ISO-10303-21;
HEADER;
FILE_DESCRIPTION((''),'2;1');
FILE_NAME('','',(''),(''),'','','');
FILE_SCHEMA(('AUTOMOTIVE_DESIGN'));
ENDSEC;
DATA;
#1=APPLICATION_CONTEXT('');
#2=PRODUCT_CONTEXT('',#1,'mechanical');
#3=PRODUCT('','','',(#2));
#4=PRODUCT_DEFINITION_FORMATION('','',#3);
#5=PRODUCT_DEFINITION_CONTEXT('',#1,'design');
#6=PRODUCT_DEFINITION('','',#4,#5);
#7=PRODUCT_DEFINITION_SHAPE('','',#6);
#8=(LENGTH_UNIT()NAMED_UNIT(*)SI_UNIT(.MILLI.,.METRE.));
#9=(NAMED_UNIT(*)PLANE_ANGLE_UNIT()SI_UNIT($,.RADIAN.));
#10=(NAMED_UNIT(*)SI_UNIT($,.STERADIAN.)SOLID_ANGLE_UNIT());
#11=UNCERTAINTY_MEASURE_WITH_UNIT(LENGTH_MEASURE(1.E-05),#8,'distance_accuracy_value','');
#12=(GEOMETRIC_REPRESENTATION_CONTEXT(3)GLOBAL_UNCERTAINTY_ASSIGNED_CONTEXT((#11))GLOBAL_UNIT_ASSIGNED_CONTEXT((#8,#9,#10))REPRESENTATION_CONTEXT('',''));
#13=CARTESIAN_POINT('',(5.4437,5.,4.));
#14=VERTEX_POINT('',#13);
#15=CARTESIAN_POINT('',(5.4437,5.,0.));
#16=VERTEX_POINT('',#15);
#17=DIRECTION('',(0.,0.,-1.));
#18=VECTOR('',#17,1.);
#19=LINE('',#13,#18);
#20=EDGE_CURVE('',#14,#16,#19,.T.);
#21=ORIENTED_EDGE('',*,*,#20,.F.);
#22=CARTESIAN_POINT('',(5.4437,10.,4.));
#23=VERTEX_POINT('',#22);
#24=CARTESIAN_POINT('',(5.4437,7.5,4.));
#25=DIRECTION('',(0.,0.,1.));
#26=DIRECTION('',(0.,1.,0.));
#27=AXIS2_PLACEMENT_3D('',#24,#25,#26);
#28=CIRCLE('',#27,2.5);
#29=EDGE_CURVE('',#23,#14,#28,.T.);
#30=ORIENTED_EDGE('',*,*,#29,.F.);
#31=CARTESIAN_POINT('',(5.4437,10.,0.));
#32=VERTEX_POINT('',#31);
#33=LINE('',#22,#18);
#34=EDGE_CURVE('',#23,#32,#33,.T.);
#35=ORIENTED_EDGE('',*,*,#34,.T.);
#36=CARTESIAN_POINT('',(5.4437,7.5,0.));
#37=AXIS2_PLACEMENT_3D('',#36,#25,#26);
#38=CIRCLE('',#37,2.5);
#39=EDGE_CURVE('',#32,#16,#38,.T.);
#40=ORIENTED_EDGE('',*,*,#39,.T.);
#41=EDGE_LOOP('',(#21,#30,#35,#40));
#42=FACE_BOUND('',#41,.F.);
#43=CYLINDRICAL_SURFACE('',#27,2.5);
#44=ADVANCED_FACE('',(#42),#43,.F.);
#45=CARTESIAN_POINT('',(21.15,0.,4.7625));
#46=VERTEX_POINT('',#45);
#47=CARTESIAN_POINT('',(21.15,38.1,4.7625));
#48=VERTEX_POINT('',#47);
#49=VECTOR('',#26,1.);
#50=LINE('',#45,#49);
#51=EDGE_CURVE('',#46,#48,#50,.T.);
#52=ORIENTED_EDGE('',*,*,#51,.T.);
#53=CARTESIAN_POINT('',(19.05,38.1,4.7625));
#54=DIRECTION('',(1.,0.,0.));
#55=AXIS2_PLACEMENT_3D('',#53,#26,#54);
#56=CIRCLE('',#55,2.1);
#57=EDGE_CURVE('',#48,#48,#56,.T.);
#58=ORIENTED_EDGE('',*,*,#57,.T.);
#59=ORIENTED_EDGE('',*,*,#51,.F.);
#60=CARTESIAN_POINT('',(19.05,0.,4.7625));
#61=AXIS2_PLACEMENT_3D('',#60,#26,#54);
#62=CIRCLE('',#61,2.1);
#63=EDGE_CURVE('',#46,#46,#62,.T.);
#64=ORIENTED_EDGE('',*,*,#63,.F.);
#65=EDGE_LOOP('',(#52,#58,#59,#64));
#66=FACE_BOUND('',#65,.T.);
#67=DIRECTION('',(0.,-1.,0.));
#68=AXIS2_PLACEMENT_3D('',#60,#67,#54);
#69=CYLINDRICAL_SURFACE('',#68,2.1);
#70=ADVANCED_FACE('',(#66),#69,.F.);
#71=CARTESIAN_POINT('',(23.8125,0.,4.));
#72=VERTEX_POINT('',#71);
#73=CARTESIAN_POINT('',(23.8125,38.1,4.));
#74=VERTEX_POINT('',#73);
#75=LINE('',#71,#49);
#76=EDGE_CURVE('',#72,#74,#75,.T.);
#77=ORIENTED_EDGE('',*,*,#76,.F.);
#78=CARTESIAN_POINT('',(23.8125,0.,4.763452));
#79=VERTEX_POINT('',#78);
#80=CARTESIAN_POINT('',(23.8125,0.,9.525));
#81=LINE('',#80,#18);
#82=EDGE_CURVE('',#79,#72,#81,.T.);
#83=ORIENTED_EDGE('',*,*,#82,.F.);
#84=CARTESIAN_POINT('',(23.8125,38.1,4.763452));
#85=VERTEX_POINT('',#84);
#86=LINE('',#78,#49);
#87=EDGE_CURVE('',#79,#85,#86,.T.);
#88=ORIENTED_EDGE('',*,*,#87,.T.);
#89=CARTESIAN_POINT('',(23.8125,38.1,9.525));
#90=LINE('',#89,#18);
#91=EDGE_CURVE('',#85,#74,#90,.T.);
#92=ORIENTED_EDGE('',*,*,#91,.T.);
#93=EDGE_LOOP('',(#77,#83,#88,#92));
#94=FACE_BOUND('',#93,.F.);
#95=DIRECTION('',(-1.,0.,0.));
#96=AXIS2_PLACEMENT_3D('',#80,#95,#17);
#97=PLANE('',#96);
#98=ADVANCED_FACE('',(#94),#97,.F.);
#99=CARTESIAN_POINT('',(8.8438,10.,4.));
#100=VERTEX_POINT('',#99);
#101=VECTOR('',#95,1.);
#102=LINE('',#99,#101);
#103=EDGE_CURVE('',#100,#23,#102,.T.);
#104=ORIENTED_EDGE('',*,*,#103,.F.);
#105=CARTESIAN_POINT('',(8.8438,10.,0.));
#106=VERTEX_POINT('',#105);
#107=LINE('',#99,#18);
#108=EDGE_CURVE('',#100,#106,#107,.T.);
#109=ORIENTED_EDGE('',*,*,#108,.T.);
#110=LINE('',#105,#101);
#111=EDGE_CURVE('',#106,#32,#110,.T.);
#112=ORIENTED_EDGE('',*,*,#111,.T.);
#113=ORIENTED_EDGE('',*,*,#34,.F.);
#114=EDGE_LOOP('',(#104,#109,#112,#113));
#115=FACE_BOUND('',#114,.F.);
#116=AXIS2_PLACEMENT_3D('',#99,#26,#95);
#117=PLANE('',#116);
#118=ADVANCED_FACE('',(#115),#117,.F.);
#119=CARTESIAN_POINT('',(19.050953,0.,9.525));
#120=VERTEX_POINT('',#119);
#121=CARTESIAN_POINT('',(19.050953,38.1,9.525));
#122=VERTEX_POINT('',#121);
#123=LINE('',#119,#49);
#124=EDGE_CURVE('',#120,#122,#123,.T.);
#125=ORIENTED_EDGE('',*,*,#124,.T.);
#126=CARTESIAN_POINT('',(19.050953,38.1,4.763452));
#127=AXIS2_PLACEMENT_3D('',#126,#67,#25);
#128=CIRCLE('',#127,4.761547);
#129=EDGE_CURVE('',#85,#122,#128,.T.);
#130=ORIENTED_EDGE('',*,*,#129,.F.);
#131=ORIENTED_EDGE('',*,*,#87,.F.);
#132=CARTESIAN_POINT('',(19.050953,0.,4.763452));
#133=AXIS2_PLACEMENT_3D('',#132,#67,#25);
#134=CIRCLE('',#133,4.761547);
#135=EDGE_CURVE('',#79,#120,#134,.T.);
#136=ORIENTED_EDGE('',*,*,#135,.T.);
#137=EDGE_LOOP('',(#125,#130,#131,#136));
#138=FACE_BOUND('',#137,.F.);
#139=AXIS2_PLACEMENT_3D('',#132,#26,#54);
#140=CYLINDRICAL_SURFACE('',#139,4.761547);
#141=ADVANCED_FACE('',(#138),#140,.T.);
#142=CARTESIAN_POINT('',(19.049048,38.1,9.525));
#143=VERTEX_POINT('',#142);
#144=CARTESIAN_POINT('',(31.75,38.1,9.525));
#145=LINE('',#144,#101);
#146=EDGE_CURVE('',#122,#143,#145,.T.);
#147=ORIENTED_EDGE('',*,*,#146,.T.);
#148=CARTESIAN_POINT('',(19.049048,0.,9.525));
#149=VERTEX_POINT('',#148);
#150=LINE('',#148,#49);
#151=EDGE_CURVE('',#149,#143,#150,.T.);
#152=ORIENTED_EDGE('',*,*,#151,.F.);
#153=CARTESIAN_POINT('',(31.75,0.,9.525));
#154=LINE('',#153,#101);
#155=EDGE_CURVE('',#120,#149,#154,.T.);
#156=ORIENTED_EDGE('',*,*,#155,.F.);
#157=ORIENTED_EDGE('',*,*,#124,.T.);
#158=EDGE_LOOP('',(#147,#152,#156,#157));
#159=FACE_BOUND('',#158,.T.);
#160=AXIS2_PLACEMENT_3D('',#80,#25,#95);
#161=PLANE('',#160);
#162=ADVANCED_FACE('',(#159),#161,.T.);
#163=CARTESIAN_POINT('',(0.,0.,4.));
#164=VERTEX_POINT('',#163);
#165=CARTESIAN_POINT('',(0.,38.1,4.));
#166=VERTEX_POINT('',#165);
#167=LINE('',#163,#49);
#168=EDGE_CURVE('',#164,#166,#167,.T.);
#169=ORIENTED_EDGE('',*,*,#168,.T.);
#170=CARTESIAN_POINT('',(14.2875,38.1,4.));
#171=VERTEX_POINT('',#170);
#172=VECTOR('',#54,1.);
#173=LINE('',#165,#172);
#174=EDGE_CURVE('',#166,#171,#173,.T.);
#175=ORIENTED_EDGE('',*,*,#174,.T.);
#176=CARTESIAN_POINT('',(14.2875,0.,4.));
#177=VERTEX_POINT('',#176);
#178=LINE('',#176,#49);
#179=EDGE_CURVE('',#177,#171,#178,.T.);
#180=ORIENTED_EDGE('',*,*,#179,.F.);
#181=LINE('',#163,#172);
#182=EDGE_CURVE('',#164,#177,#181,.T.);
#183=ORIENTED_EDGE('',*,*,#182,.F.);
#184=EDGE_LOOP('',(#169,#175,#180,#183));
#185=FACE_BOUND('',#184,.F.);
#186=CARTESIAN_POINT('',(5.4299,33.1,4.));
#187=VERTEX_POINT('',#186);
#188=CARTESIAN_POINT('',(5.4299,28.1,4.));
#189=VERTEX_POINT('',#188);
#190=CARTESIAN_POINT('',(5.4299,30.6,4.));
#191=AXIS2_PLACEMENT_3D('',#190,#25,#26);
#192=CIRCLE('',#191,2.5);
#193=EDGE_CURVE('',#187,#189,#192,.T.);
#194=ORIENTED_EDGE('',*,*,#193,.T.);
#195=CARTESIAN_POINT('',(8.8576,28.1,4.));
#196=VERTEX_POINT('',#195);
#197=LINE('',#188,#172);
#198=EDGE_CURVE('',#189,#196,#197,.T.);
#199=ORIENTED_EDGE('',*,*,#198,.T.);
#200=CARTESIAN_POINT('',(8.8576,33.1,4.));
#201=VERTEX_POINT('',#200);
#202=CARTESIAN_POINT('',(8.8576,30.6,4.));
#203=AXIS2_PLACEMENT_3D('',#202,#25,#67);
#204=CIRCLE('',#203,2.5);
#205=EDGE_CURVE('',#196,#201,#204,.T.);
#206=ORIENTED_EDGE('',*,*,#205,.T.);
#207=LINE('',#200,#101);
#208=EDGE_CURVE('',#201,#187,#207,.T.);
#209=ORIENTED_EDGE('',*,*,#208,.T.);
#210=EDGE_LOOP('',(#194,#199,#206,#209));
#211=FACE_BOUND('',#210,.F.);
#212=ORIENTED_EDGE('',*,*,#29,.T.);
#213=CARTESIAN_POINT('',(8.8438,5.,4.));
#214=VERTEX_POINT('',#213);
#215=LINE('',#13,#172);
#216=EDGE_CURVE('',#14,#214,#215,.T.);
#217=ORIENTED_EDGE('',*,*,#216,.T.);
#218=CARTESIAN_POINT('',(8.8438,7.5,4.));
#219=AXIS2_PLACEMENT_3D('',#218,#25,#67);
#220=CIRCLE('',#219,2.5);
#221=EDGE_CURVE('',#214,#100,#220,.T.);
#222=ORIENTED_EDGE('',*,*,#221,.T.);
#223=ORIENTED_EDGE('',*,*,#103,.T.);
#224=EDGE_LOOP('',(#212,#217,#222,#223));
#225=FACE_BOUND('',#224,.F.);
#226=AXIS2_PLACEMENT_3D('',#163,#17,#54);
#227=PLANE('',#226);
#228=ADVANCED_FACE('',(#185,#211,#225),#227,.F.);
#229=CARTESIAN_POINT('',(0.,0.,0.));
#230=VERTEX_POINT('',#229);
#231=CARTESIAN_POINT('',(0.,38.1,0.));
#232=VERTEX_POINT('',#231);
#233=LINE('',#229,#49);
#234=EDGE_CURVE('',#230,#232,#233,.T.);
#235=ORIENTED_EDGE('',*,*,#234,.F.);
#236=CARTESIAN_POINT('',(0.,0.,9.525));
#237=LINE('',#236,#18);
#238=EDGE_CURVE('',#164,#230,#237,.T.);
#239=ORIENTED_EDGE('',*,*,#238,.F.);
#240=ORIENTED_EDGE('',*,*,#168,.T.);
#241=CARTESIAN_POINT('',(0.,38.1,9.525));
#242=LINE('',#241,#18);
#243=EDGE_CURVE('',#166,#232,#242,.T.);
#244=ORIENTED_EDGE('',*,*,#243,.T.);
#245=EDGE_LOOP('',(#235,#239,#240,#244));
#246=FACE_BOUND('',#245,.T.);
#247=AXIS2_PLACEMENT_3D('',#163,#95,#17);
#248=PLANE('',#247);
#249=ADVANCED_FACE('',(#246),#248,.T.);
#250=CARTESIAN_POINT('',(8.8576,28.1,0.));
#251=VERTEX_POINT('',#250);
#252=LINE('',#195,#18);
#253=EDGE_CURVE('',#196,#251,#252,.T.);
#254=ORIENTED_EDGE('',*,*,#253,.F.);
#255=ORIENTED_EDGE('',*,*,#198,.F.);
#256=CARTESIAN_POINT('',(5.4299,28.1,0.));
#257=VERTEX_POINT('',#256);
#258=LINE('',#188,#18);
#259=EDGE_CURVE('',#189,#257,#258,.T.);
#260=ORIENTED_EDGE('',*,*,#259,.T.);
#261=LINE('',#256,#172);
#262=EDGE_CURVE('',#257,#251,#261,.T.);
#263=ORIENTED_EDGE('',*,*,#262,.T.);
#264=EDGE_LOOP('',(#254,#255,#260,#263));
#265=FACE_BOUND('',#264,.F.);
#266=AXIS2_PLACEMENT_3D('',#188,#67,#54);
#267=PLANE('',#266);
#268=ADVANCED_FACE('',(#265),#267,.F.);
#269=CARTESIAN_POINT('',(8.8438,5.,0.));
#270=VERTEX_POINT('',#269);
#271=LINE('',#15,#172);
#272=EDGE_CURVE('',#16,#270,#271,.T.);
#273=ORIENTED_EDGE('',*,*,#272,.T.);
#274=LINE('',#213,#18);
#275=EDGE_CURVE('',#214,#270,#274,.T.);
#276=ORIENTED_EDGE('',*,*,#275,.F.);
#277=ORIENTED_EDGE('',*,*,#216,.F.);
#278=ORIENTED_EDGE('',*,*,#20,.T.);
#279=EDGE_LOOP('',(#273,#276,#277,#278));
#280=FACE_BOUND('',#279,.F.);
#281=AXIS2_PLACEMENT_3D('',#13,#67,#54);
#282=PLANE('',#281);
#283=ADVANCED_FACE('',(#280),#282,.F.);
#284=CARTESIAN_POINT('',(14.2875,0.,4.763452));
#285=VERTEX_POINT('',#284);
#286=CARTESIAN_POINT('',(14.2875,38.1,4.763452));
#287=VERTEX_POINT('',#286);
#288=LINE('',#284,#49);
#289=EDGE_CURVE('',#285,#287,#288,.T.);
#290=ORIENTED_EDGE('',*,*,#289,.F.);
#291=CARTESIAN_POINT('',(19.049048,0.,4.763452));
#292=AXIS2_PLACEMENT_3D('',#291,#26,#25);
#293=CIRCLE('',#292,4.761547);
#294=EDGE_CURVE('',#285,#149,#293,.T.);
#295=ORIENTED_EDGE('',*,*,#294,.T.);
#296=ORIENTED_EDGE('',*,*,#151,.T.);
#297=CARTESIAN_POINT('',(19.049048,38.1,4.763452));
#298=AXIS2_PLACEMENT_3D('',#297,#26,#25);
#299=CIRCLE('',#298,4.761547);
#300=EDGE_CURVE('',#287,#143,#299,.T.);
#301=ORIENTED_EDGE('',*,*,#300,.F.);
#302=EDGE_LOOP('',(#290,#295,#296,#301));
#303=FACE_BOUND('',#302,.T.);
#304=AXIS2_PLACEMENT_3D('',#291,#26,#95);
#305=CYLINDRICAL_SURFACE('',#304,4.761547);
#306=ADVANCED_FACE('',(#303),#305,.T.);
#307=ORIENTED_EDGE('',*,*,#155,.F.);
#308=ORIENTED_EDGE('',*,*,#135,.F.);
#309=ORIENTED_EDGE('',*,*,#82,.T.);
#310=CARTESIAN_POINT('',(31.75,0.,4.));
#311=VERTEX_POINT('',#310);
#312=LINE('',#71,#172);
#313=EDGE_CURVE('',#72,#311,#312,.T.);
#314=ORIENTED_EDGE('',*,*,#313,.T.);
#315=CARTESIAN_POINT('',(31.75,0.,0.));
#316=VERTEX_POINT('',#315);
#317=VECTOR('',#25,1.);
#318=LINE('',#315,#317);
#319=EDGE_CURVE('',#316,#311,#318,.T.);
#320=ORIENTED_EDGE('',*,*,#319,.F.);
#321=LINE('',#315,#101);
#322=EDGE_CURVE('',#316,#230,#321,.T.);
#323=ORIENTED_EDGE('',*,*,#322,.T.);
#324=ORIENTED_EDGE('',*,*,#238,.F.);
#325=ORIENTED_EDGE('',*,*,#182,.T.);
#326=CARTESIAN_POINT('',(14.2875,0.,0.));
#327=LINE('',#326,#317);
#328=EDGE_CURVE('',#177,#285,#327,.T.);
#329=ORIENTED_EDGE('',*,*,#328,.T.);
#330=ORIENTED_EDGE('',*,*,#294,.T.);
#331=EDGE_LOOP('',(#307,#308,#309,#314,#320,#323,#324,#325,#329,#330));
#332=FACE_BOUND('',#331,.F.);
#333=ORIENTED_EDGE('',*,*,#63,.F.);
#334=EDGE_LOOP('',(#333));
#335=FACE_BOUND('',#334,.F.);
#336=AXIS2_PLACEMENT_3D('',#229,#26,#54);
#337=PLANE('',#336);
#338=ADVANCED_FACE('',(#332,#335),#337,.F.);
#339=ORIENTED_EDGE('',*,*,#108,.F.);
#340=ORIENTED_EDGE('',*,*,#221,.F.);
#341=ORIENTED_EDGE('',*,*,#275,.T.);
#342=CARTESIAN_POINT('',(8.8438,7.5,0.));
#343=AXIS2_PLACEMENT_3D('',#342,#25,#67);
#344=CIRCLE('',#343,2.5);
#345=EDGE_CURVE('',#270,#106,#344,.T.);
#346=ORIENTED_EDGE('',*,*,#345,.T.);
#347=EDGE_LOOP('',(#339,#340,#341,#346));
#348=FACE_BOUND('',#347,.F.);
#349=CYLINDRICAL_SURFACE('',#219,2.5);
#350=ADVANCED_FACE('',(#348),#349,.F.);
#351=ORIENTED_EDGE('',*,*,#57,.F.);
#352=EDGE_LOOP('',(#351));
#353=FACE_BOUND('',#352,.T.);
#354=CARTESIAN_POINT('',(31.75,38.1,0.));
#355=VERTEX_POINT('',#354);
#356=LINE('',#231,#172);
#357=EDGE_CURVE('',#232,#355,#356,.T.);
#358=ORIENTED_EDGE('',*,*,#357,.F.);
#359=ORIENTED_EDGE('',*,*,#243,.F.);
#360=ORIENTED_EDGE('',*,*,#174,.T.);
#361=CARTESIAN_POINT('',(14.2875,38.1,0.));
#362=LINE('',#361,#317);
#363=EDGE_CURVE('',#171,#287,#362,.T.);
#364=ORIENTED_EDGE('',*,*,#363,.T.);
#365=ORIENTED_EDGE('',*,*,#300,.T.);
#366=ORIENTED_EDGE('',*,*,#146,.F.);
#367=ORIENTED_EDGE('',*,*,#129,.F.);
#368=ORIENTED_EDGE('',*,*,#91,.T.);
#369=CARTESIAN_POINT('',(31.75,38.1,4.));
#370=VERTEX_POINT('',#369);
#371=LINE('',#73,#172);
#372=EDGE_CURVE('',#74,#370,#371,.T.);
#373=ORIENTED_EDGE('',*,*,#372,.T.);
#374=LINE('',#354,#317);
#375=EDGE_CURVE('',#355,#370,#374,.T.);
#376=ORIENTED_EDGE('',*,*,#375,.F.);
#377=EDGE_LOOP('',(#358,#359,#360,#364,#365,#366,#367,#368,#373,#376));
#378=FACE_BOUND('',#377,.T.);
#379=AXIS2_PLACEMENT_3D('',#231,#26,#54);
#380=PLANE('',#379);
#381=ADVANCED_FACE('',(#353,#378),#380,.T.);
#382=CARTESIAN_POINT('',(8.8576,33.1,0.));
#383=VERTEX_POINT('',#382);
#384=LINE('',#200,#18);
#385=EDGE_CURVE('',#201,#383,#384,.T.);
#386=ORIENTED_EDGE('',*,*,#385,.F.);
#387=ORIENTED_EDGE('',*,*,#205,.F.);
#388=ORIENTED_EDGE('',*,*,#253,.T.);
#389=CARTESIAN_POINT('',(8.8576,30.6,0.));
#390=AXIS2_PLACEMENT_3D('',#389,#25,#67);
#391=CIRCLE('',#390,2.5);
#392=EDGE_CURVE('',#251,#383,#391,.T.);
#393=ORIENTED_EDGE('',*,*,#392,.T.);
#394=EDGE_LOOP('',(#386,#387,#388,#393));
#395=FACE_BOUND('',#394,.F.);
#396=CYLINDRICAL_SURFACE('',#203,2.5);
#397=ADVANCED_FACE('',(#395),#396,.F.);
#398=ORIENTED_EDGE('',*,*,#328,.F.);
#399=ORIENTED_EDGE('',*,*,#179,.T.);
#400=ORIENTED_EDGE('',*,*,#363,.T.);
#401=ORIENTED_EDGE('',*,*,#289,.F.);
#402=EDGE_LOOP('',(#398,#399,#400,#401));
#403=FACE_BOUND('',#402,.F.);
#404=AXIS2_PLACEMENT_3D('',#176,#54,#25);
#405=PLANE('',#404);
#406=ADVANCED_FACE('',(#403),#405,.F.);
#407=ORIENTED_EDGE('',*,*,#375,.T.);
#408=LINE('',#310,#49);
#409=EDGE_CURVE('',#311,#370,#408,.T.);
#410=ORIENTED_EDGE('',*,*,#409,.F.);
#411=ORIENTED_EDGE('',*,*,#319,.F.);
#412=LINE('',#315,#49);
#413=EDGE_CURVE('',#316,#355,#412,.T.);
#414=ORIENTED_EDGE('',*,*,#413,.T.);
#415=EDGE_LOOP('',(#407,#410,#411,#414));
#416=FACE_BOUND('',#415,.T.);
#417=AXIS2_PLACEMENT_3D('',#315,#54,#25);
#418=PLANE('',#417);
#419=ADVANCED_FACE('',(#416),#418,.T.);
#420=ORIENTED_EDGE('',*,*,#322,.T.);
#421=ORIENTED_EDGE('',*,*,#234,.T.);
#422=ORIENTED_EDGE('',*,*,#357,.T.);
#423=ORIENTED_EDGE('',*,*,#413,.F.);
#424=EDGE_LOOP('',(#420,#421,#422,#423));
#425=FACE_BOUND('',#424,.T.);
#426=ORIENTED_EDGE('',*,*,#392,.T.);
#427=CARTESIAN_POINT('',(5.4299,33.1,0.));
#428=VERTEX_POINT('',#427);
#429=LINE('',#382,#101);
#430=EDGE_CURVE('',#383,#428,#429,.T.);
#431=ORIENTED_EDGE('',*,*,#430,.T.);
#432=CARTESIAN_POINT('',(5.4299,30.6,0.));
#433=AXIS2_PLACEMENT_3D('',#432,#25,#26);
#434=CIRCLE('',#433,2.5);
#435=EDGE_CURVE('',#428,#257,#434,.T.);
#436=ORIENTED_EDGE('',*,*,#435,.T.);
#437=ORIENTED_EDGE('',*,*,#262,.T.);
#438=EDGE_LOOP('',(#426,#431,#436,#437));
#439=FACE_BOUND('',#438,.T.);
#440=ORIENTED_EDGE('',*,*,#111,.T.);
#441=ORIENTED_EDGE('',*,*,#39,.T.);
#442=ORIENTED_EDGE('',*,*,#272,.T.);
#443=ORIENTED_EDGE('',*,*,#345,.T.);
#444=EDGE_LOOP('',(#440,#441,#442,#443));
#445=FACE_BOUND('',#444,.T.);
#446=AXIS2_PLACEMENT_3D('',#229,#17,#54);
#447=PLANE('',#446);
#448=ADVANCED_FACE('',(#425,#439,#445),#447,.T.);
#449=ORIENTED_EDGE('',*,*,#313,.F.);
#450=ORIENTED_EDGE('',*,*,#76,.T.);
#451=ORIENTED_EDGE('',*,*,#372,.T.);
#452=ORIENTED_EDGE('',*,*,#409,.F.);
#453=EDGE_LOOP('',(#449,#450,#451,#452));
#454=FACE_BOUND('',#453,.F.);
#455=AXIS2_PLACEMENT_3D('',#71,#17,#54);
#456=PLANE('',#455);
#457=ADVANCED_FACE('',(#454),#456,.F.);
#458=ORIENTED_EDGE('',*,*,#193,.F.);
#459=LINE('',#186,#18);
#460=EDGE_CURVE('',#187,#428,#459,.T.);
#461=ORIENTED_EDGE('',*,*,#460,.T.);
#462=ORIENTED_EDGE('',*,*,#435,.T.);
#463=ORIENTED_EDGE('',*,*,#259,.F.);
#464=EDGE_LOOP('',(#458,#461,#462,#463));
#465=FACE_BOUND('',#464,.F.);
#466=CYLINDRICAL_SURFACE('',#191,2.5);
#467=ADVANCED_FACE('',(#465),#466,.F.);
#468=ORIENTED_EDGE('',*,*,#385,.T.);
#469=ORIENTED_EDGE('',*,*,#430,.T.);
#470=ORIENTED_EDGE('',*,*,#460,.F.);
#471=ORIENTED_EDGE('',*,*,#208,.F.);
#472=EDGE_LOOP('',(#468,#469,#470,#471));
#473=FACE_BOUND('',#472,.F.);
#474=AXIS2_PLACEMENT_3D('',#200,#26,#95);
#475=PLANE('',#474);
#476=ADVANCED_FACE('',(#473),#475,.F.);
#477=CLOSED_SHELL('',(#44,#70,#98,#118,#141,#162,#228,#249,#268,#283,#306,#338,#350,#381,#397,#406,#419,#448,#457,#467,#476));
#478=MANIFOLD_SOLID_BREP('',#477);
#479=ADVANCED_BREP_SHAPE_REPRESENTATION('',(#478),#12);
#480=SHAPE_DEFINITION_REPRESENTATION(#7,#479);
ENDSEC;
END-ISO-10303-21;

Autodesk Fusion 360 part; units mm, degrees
sketch "Sketch2" plane through (0, 0, 0) normal (0, 1, 0) x (1, 0, 0)
  line L0 (0, 0) -> (31.75, 0)
  line L1 (31.75, 0) -> (31.75, -9.525)
  line L2 (31.75, -9.525) -> (0, -9.525)
  line L3 (0, -9.525) -> (0, 0)
  circle A0 centre (19.05, -4.7625) radius 2.1
  line L4 (23.8125, 0) -> (14.2875, 0)
  line L5 (14.2875, 0) -> (14.2875, -9.525)
  line L6 (14.2875, -9.525) -> (23.8125, -9.525)
  line L7 (23.8125, -9.525) -> (23.8125, 0)
  line L8 (23.8125, 0) -> (14.2875, -9.525) construction
  line L9 (14.2875, 0) -> (23.8125, -9.525) construction
  line L10 (0, -4) -> (14.2875, -4)
  line L11 (23.8125, -4) -> (31.75, -4)
  point P0 (19.05, -4.7625)
  dimension "d1" = 31.75
  dimension "d2" = 9.525
  dimension "d3" = 4.2
  dimension "d4" = 4.7625
  dimension "d5" = 19.05
  dimension "d8" = 9.525
  dimension "d9" = 9.525
  dimension "d10" = 4
  dimension "d11" = 4
extrude "Extrude1" add sketch "Sketch2" along normal blind 38.1 contours L0 L3 L5 L10 | L0 L2 L4 L5 L6 L7 | L0 L1 L7 L11
fillet "Fillet1" radius 4.7625 2 edges at (14.2875, 19.05, 9.525) (23.8125, 19.05, 9.525)
sketch "Sketch3" plane through (0, 0, 4) normal (0, 0, 1) x (-1, 0, 0)
  line L0 (0, 0) -> (-14.2875, 0)
  line L1 (-14.2875, 0) -> (-14.2875, -38.1)
  line L2 (-14.2875, -38.1) -> (0, -38.1)
  line L3 (0, -38.1) -> (0, 0)
sketch "Sketch4" plane through (0, 0, 4) normal (0, 0, 1) x (-1, 0, 0)
sketch "Sketch5" plane through (0, 0, 4) normal (0, 0, 1) x (-1, 0, 0)
  line L0 (-14.2875, -38.1) -> (0, -38.1) construction
  line L1 (0, -38.1) -> (0, 0) construction
  line L2 (0, 0) -> (-14.2875, 0) construction
  line L3 (-14.2875, 0) -> (-14.2875, -38.1) construction
  line L4 (-7.1437, -38.1) -> (-7.1437, 0) construction
  line L5 (-7.1437, -27.2901) -> (0, -27.2901) construction
  line L6 (-7.1437, -27.2901) -> (-14.2875, -27.2901) construction
  line L7 (-5.4299, -28.1) -> (-8.8576, -28.1)
  arc A0 (-8.8576, -28.1) -> (-8.8576, -33.1) centre (-8.8576, -30.6) ccw
  line L8 (-8.8576, -33.1) -> (-5.4299, -33.1)
  arc A1 (-5.4299, -33.1) -> (-5.4299, -28.1) centre (-5.4299, -30.6) ccw
  line L9 (-5.4299, -30.6) -> (-8.8576, -30.6) construction
  line L10 (-5.4437, -5) -> (-8.8438, -5)
  arc A2 (-8.8438, -5) -> (-8.8438, -10) centre (-8.8438, -7.5) ccw
  line L11 (-8.8438, -10) -> (-5.4437, -10)
  arc A3 (-5.4437, -10) -> (-5.4437, -5) centre (-5.4437, -7.5) ccw
  line L12 (-5.4437, -7.5) -> (-8.8438, -7.5) construction
  point P0 (0, -38.1)
  point P1 (-14.2875, -38.1)
  point P2 (-14.2875, 0)
  point P3 (-7.1437, -30.6)
  point P4 (-7.1438, -7.5)
  dimension "d14" = 5
  dimension "d16" = 5
  dimension "d19" = 7.5
  dimension "d20" = 7.5
extrude "Extrude2" cut sketch "Sketch5" against normal blind 4
